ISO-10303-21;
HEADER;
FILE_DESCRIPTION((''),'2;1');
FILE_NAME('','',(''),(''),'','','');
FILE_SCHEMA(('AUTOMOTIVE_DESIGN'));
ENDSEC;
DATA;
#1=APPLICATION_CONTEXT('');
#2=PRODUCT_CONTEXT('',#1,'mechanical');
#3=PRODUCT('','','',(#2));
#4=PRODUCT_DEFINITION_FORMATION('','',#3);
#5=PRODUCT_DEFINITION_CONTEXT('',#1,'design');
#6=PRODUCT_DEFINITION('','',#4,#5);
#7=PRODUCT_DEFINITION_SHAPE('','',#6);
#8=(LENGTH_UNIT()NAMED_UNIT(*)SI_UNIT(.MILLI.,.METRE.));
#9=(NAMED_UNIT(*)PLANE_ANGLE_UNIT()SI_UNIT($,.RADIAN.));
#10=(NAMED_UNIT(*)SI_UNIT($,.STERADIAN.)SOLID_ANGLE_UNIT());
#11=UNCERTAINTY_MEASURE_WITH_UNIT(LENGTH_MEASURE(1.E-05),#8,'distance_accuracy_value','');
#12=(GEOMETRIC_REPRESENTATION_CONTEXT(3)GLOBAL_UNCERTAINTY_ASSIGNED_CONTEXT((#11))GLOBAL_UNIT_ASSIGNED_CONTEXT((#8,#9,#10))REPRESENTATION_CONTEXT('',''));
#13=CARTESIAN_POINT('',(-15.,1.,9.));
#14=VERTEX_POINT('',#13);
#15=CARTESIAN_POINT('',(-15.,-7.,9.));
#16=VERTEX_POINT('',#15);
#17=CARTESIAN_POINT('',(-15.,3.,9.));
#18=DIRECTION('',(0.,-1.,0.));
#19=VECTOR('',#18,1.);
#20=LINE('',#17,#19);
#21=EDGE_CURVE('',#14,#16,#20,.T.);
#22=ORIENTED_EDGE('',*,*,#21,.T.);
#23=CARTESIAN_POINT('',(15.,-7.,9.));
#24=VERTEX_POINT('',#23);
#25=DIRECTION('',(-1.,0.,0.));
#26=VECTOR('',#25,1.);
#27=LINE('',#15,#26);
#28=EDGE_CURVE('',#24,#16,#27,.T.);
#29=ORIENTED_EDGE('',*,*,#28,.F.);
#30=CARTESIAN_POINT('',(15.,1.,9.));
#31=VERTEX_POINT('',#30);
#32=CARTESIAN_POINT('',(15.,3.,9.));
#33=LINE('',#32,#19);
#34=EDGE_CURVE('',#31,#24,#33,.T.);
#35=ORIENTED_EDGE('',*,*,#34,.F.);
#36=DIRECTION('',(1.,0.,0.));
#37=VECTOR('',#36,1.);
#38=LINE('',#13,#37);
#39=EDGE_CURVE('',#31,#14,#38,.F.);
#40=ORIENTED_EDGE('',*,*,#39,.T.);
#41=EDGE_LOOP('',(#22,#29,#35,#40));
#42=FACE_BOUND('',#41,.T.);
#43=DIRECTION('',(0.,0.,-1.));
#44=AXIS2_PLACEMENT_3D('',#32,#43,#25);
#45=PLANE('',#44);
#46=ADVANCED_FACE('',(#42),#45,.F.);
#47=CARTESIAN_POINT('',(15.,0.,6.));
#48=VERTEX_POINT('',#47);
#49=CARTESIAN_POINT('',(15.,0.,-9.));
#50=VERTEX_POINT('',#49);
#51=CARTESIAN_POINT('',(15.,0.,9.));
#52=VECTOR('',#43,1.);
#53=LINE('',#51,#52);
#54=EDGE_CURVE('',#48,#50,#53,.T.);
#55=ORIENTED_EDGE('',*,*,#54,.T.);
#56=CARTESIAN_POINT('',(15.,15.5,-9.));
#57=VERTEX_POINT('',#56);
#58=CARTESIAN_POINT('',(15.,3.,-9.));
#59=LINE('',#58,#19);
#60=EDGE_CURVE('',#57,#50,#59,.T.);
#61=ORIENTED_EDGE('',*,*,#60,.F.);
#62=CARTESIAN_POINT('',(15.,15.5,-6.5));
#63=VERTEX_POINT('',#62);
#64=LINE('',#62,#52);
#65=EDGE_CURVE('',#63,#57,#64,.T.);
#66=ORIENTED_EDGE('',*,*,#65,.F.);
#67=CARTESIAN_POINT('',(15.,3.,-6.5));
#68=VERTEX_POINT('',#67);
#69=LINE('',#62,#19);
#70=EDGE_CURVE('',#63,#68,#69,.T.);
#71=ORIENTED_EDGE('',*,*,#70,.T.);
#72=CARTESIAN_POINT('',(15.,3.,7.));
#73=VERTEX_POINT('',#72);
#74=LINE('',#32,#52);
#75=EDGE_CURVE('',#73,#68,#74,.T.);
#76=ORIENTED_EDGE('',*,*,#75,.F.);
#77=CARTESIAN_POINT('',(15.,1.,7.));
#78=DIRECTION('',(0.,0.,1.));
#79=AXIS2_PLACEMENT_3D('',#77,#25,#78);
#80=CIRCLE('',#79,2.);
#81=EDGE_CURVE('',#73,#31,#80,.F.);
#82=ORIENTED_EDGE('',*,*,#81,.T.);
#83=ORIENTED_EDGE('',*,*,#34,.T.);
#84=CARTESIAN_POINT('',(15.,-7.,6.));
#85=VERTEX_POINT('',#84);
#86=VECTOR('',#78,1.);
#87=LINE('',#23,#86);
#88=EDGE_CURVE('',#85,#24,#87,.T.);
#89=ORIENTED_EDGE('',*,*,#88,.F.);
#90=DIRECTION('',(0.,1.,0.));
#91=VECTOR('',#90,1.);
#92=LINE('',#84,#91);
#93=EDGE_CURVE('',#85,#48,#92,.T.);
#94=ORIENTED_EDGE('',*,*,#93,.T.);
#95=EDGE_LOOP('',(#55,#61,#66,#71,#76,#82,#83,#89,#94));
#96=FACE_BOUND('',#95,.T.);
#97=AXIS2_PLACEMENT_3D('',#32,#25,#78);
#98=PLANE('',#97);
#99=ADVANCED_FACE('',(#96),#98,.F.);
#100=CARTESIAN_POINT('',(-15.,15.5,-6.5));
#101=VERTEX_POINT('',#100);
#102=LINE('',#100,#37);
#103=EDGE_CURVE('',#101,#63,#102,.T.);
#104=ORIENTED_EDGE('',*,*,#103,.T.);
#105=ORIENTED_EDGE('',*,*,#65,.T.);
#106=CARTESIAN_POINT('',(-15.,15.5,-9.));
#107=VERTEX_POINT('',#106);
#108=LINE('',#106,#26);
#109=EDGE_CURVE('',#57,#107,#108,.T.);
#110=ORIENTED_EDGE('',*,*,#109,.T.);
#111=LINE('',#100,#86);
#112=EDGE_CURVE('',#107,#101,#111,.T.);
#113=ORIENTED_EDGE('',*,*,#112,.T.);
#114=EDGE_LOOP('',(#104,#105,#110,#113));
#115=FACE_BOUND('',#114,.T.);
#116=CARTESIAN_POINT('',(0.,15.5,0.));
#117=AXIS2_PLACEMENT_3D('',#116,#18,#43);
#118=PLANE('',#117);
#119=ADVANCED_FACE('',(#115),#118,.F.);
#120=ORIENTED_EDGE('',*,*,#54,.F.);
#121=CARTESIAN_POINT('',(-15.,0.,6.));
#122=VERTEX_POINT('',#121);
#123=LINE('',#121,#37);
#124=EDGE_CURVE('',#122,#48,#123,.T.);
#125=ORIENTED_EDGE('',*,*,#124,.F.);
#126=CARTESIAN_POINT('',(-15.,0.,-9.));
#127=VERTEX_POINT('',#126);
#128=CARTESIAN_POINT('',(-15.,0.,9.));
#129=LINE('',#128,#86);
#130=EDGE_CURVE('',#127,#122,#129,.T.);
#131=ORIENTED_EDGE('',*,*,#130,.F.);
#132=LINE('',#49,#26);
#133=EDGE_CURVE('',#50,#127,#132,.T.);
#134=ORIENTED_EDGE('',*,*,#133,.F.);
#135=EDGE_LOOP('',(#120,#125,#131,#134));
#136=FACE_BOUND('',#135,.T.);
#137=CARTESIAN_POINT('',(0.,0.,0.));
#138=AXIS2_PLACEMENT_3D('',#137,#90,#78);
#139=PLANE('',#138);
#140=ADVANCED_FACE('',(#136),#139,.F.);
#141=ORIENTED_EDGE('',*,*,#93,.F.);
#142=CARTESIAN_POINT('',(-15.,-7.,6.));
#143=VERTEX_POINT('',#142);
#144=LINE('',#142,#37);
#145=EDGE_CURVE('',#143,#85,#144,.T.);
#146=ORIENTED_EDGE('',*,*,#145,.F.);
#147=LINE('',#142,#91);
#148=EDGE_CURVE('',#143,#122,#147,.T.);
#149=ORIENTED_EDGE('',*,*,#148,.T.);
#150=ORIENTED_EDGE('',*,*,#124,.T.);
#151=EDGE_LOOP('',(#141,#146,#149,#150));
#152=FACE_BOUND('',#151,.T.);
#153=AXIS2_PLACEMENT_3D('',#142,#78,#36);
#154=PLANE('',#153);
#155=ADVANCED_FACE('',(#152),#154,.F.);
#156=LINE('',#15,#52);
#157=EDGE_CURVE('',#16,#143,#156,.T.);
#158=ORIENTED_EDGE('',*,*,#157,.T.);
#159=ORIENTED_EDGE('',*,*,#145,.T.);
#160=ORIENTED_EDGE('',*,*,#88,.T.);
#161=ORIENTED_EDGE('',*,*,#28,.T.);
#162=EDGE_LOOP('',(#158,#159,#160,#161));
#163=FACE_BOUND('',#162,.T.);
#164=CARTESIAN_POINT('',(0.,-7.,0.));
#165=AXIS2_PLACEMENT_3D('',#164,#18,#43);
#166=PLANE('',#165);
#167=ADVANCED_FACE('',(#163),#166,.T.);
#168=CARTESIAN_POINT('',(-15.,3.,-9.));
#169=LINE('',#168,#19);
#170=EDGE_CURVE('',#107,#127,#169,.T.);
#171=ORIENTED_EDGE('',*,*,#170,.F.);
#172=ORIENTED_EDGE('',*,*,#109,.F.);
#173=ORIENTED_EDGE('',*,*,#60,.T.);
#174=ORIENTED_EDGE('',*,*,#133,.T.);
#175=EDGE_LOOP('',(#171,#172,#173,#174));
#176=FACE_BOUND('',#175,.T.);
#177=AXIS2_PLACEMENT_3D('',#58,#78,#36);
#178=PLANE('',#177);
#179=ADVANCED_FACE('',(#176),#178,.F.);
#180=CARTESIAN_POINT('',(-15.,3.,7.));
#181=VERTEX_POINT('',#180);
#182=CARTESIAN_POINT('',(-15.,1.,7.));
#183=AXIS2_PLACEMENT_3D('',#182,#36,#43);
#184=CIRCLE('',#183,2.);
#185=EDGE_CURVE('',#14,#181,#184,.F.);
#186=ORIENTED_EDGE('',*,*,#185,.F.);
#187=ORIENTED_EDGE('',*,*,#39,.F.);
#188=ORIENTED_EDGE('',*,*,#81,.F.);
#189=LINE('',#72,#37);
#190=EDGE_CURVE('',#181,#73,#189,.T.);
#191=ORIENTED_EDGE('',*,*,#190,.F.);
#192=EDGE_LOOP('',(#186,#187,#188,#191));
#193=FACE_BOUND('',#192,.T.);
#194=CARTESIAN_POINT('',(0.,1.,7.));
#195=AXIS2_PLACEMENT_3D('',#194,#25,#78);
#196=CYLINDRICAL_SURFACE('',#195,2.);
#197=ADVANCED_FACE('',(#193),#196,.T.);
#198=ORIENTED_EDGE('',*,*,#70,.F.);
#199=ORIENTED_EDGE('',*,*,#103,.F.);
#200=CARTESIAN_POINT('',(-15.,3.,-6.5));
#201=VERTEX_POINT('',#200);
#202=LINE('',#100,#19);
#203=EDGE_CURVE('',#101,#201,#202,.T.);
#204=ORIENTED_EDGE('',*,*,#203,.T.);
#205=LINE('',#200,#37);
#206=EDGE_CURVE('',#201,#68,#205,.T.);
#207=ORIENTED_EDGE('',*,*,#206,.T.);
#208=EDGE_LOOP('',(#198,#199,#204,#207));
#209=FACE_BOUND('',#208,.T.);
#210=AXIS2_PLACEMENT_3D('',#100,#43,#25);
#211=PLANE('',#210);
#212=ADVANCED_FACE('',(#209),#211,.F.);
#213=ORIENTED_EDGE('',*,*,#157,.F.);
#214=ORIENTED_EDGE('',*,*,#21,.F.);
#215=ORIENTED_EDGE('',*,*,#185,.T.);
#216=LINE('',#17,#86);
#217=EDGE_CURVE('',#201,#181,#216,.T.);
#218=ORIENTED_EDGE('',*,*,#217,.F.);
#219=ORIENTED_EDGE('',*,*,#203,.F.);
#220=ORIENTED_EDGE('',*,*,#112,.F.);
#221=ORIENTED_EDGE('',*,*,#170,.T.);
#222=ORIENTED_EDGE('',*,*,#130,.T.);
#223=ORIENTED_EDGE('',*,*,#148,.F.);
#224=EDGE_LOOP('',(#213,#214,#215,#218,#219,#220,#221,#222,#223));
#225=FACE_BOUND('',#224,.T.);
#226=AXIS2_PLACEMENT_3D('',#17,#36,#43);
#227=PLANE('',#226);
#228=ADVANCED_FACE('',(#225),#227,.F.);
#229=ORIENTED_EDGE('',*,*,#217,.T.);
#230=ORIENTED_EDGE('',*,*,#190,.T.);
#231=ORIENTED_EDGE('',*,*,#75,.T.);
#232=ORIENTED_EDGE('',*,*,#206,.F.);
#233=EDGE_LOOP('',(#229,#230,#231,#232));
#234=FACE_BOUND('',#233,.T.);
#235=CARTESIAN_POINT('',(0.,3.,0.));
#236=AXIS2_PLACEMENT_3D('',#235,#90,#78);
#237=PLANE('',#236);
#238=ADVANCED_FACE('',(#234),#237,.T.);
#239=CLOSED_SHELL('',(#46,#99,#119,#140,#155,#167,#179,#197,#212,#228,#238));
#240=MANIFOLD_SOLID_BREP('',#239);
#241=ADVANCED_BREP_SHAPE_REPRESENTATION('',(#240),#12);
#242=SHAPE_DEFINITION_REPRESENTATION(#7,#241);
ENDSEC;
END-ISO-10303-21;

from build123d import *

# Parameters (mm, degrees)
SKETCH_1_W      = 30
SKETCH_1_H      = 18
EXTRUDE_1_DEPTH = 3
SKETCH_2_W      = 30
SKETCH_2_H      = 3
EXTRUDE_2_DEPTH = 7
FILLET_1_R      = 2
SKETCH_5_W      = 30
SKETCH_5_H      = 2.5
EXTRUDE_3_DEPTH = 12.5


with BuildPart() as part:
    # 스케치1 → 보스-돌출1 (new body)
    with BuildSketch(Plane(origin=(0, 0, 0), x_dir=(1, 0, 0), z_dir=(0, 1, 0))):
        Rectangle(SKETCH_1_W, SKETCH_1_H)
    extrude(amount=EXTRUDE_1_DEPTH)

    # 스케치2 → 보스-돌출2 (add)
    with BuildSketch(Plane.XZ):
        with Locations((0, 7.5)):
            Rectangle(SKETCH_2_W, SKETCH_2_H)
    extrude(amount=EXTRUDE_2_DEPTH)

    # 필렛1
    fillet_1_edges = [part.edges().sort_by_distance(p)[0] for p in [
        (0, 3, 9),
    ]]
    fillet(fillet_1_edges, radius=FILLET_1_R)

    # 스케치5 → 보스-돌출3 (add)
    with BuildSketch(Plane(origin=(0, 3, 0), x_dir=(1, 0, 0), z_dir=(0, 1, 0))):
        with Locations((0, 7.75)):
            Rectangle(SKETCH_5_W, SKETCH_5_H)
    extrude(amount=EXTRUDE_3_DEPTH)


solid = part.part
